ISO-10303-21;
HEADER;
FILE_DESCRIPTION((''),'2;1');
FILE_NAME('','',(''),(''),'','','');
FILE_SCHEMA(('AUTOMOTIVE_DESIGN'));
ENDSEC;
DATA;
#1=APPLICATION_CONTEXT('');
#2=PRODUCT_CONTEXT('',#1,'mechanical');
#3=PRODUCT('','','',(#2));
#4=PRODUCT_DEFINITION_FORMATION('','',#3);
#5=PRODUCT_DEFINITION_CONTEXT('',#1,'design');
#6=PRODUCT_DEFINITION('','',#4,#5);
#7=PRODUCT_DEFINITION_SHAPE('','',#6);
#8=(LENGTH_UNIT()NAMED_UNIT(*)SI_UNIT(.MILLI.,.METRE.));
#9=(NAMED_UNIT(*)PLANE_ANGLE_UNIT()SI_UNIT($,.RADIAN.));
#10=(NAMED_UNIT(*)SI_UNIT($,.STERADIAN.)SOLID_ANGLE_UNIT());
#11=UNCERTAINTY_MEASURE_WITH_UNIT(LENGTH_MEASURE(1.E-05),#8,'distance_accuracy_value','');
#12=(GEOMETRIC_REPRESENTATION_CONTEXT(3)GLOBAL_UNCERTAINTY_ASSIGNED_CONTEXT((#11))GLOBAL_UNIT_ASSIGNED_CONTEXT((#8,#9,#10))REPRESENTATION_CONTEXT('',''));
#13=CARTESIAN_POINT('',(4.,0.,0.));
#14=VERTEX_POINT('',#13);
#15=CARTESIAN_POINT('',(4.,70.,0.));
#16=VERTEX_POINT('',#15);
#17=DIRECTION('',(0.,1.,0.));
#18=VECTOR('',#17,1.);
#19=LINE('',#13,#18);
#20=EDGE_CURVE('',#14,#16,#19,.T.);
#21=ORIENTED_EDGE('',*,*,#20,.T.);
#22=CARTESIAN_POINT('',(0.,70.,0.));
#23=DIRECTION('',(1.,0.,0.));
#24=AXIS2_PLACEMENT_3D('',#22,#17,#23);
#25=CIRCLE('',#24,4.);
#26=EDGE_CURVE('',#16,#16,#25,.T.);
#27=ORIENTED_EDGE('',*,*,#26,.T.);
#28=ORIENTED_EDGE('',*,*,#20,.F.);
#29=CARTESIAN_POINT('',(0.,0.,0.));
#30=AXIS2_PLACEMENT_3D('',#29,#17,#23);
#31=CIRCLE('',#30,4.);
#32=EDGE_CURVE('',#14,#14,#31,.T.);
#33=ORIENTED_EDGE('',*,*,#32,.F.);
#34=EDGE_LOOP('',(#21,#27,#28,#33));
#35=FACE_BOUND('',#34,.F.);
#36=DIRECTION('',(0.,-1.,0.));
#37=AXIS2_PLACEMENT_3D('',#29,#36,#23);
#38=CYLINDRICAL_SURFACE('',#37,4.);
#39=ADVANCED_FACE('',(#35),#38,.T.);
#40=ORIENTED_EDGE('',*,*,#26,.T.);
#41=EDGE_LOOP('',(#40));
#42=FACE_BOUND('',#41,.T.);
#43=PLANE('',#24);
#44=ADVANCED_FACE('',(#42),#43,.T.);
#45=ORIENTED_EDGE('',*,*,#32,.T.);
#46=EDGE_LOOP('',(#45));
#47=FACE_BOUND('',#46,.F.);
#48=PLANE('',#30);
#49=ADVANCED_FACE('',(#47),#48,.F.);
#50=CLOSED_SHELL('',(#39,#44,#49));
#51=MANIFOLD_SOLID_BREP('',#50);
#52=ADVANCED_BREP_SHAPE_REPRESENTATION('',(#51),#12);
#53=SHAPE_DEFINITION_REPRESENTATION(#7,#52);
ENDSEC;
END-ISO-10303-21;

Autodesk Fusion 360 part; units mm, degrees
sketch "Sketch1" plane through (0, 0, 0) normal (0, 1, 0) x (1, 0, 0)
  circle A0 centre (0, 0) radius 4
  dimension "d1" = 8
extrude "Extrude1" add sketch "Sketch1" along normal blind 70
